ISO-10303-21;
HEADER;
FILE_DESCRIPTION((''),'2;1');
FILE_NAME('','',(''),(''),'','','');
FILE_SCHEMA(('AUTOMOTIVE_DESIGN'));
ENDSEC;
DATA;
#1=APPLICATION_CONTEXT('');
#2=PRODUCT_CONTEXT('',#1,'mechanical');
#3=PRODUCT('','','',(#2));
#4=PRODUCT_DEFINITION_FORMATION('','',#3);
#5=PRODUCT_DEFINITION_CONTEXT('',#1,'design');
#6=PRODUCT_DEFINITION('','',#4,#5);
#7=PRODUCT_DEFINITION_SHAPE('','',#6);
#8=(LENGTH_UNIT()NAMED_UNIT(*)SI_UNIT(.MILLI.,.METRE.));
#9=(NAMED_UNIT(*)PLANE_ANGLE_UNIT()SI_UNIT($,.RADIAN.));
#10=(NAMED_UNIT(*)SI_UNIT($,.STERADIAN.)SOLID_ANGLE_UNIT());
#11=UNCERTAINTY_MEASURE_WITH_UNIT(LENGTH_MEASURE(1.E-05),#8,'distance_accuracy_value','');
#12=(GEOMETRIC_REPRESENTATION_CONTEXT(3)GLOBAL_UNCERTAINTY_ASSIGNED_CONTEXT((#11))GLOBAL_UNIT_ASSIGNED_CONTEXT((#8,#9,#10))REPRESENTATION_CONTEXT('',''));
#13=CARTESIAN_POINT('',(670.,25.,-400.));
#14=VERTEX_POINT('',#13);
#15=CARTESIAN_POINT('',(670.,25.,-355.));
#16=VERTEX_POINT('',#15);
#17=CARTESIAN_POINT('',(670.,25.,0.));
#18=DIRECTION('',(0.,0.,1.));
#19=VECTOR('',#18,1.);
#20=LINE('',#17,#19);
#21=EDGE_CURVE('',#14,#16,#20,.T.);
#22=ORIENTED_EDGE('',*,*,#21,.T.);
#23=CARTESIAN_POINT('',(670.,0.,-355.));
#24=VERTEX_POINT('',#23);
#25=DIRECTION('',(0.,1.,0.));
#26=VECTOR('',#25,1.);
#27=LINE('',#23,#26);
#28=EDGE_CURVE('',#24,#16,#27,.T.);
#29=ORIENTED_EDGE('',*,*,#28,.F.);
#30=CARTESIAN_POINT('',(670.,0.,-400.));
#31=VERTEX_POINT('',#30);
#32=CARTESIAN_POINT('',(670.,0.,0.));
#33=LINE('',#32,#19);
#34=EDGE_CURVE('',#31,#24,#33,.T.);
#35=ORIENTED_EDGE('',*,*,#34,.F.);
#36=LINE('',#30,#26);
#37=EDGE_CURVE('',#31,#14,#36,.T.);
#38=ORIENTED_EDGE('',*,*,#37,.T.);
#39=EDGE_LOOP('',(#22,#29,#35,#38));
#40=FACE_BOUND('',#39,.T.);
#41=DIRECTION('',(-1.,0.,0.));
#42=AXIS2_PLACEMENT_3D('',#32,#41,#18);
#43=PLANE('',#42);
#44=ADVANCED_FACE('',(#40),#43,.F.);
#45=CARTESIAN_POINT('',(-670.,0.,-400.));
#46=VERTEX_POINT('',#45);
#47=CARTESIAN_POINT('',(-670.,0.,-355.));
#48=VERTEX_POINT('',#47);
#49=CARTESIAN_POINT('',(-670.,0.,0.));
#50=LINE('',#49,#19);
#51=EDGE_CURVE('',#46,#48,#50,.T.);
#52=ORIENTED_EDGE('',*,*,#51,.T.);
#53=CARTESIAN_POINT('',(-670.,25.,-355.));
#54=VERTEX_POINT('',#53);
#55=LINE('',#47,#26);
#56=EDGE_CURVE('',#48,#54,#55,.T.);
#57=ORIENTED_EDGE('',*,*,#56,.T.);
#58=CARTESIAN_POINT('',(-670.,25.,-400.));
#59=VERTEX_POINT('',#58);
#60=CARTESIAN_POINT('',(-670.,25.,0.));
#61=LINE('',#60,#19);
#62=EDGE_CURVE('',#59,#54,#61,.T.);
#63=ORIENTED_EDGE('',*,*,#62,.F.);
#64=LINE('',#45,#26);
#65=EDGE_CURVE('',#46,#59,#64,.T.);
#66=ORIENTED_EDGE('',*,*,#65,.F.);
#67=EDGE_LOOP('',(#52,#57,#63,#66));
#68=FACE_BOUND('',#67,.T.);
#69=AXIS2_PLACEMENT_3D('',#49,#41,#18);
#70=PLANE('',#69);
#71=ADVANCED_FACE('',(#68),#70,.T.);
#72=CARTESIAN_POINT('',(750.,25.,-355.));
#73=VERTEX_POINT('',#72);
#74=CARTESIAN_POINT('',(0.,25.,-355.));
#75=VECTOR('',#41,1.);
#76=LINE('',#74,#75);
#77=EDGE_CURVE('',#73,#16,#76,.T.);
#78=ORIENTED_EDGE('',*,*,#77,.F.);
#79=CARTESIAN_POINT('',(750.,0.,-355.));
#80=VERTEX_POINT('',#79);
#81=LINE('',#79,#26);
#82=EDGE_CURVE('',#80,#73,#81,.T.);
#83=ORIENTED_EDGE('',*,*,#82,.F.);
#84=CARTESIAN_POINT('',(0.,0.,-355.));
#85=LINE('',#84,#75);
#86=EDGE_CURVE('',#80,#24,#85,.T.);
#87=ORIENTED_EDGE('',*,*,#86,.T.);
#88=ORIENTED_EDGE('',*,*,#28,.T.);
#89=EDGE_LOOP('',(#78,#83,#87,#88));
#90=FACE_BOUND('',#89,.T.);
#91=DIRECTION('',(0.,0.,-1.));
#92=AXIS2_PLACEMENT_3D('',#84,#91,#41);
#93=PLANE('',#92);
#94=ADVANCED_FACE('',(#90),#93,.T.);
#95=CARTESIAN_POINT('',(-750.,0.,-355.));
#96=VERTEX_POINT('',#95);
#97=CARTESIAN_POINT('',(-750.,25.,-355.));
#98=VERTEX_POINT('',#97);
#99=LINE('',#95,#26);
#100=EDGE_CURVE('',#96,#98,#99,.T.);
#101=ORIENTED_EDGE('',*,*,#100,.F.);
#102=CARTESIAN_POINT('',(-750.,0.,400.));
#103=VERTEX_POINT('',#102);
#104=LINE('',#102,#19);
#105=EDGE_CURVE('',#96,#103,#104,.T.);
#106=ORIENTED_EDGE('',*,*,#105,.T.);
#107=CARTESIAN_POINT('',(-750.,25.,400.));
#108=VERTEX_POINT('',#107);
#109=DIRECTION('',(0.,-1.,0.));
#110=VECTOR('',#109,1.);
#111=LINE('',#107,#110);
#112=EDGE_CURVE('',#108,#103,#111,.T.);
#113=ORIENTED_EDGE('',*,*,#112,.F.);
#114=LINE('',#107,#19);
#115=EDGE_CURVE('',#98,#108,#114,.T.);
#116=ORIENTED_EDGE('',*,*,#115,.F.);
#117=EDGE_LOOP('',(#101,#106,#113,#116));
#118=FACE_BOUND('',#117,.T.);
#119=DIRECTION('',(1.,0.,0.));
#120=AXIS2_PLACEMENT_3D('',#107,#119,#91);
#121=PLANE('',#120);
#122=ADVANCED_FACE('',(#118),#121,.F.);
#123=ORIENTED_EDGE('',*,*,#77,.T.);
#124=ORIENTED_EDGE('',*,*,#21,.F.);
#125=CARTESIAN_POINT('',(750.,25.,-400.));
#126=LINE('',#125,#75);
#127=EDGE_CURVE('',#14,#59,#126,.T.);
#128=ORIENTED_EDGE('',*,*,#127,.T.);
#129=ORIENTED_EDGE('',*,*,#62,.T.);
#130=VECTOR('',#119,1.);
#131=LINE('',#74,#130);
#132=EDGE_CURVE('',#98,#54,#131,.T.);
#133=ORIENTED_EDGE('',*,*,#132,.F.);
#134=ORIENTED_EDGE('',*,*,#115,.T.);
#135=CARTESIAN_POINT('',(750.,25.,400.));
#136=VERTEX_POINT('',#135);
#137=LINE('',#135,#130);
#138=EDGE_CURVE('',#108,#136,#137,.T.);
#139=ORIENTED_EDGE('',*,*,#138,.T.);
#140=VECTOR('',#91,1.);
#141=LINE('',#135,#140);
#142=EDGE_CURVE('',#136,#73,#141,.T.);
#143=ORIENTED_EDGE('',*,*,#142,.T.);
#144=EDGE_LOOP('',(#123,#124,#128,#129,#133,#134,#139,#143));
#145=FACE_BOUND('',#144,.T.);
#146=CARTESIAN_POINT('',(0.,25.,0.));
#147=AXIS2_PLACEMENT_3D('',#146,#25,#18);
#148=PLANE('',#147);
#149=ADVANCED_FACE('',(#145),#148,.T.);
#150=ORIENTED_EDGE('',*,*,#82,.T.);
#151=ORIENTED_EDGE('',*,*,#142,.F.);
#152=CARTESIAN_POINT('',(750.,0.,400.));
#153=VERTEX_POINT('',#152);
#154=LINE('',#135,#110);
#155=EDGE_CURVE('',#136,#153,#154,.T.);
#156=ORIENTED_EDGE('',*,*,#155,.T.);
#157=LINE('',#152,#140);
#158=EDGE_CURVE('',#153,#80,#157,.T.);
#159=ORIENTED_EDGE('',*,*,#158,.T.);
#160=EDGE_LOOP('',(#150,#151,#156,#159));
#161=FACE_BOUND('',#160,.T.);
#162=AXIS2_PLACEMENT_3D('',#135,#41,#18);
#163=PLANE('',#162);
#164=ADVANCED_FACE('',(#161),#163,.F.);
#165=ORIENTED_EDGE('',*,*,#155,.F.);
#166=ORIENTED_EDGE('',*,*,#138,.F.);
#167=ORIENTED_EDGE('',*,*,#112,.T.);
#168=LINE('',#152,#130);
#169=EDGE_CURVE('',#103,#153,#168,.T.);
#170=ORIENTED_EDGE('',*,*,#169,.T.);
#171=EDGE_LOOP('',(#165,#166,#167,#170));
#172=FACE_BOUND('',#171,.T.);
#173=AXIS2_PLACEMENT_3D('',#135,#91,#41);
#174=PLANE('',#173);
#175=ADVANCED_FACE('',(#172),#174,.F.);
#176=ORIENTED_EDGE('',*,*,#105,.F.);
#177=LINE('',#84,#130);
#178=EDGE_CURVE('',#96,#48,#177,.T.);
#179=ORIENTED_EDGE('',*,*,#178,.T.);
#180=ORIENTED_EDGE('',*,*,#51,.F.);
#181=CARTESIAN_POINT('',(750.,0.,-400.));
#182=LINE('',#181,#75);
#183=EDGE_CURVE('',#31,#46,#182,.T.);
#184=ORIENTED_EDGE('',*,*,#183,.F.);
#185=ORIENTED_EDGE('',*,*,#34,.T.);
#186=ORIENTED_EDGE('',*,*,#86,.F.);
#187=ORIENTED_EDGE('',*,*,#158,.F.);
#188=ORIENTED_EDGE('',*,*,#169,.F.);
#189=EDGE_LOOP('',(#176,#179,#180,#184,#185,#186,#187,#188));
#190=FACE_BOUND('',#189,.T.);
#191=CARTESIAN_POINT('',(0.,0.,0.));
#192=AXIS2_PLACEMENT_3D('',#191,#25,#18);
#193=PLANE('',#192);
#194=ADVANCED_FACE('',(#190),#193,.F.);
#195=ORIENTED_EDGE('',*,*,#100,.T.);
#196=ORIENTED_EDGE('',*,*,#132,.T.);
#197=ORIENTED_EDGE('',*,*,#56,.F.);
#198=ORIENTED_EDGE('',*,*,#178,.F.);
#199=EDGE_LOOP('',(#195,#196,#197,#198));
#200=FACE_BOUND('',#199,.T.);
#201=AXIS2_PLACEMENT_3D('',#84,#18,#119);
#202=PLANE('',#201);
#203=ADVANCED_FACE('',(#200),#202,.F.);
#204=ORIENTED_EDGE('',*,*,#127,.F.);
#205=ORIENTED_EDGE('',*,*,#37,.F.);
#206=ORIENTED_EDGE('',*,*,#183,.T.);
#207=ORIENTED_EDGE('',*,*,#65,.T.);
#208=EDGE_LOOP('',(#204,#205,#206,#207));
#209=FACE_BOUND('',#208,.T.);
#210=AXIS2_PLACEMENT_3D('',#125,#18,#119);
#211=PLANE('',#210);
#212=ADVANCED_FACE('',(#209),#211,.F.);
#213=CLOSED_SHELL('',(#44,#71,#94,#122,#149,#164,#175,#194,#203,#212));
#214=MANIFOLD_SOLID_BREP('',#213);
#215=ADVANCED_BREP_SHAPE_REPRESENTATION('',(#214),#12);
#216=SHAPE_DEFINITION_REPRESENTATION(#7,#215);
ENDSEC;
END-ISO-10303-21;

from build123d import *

# Parameters (mm, degrees)
SKETCH1_W           = 1500
SKETCH1_H           = 800
RAWMATERIAL_DEPTH   = 25
SKETCH2_W           = 80
SKETCH2_H           = 45
SLOTSFORFRAME_DEPTH = 851.367567585


with BuildPart() as part:
    # Sketch1 → RawMaterial (new body)
    with BuildSketch(Plane(origin=(0, 0, 0), x_dir=(1, 0, 0), z_dir=(0, 1, 0))):
        Rectangle(SKETCH1_W, SKETCH1_H)
    extrude(amount=RAWMATERIAL_DEPTH)

    # Sketch2 → SlotsForFrame (cut, through all)
    with BuildSketch(Plane(origin=(0, 25, 0), x_dir=(1, 0, 0), z_dir=(0, 1, 0))):
        with Locations((-710, 377.5)):
            Rectangle(SKETCH2_W, SKETCH2_H)
        with Locations((710, 377.5)):
            Rectangle(SKETCH2_W, SKETCH2_H)
    extrude(amount=-SLOTSFORFRAME_DEPTH, mode=Mode.SUBTRACT)


solid = part.part
